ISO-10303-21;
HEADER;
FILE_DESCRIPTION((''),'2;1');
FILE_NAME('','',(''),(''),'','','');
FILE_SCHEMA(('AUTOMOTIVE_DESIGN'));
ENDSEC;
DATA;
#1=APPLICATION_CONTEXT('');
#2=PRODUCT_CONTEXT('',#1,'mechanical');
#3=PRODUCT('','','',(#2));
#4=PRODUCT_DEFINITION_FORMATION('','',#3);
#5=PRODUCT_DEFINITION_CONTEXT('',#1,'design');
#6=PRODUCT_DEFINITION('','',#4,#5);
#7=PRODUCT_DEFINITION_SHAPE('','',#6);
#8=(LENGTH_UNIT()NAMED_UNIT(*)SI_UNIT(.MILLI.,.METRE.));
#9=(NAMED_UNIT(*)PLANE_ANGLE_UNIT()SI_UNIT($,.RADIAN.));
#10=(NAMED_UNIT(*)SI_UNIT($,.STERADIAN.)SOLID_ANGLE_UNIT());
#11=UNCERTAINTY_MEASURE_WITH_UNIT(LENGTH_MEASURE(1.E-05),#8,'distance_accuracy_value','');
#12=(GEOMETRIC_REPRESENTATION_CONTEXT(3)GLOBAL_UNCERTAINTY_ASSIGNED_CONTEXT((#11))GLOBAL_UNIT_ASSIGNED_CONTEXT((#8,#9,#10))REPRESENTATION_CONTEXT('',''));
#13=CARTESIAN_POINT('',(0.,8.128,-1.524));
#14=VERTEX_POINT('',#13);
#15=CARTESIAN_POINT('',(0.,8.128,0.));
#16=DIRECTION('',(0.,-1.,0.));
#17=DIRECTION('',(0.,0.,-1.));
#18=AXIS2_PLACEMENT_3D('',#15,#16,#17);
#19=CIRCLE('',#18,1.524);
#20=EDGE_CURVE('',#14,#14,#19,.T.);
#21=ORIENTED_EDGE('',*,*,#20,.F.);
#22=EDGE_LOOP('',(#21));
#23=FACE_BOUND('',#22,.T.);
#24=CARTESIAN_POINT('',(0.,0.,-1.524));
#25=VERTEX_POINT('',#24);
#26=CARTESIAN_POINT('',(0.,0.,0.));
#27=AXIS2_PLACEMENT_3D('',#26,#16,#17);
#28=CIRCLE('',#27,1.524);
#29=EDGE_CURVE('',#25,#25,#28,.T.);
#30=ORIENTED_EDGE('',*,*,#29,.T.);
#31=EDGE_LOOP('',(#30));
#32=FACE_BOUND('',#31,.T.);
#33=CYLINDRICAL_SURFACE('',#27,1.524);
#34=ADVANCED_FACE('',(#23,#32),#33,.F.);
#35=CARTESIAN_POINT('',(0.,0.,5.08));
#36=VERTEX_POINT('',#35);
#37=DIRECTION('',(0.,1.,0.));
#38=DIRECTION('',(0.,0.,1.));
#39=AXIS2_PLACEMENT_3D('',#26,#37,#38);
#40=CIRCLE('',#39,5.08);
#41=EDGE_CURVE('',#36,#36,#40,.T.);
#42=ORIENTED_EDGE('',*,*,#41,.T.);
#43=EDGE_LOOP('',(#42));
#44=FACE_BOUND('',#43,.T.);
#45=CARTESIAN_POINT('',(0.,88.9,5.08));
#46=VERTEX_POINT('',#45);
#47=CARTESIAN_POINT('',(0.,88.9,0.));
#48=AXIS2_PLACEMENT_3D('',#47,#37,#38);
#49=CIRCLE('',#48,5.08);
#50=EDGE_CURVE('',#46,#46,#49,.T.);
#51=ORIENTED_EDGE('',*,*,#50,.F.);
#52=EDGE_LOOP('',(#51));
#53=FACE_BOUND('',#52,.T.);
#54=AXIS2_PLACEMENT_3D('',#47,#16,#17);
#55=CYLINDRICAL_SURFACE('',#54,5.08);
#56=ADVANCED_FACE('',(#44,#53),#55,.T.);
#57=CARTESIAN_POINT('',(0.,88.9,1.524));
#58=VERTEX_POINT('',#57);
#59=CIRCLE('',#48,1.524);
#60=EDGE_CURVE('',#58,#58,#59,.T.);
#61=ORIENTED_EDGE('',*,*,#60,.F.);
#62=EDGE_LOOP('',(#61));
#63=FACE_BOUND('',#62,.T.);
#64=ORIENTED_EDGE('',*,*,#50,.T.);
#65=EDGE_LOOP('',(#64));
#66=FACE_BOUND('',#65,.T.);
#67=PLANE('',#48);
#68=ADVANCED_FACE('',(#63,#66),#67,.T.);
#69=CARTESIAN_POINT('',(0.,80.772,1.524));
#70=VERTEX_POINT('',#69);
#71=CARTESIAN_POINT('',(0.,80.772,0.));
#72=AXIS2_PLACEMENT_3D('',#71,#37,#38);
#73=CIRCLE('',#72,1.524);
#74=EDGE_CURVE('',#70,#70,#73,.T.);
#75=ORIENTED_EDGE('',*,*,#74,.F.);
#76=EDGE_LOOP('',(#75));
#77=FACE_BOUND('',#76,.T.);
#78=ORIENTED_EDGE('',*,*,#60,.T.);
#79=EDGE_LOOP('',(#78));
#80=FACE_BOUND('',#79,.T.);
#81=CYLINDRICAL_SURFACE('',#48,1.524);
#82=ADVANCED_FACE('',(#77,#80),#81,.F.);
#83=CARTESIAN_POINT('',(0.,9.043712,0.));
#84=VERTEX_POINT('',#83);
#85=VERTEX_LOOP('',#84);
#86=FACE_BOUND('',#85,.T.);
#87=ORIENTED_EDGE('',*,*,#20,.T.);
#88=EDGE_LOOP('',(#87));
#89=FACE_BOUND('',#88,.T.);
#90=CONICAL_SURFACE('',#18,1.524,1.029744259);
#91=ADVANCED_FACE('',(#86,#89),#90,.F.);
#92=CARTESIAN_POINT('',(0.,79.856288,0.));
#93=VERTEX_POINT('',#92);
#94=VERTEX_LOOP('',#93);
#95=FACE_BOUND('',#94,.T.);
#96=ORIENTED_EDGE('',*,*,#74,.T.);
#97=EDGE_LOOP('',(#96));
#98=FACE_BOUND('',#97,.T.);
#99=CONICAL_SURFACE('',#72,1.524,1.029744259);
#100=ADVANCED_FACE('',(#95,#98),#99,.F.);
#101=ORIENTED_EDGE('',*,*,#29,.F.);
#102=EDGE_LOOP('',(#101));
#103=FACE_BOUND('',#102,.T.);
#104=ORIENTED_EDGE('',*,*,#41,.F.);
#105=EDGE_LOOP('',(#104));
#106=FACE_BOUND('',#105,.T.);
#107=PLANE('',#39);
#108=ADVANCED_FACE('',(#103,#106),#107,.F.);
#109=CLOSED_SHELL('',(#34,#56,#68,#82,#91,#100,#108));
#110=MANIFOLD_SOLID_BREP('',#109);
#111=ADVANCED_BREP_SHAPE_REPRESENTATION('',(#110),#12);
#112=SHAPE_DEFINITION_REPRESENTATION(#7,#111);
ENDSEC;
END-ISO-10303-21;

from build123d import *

# Parameters (mm, degrees)
SKETCH1_R                            = 5.08
BOSS_EXTRUDE1_DEPTH                  = 88.9
TAPPED_HOLE_FOR_4_40_HELICOIL1_D     = 3.048
TAPPED_HOLE_FOR_4_40_HELICOIL1_DEPTH = 8.128
TAPPED_HOLE_FOR_4_40_HELICOIL1_TIP   = 0.915711583
TAPPED_HOLE_FOR_4_40_HELICOIL2_D     = 3.048
TAPPED_HOLE_FOR_4_40_HELICOIL2_DEPTH = 8.128
TAPPED_HOLE_FOR_4_40_HELICOIL2_TIP   = 0.915711583


with BuildPart() as part:
    # Sketch1 → Boss-Extrude1 (new body)
    with BuildSketch(Plane(origin=(0, 0, 0), x_dir=(1, 0, 0), z_dir=(0, 1, 0))):
        with Locations(Location((0, 0, 0), (0, 0, 270))):
            Circle(SKETCH1_R)
    extrude(amount=BOSS_EXTRUDE1_DEPTH)

    # Tapped Hole for #4-40 Helicoil1
    with Locations(Plane(origin=(0, 88.9, 0), x_dir=(1, 0, 0), z_dir=(0, 1, 0))):
        with Locations((0, 0)):
            Hole(TAPPED_HOLE_FOR_4_40_HELICOIL1_D / 2, depth=TAPPED_HOLE_FOR_4_40_HELICOIL1_DEPTH)
            with Locations((0, 0, -(TAPPED_HOLE_FOR_4_40_HELICOIL1_DEPTH + TAPPED_HOLE_FOR_4_40_HELICOIL1_TIP / 2))):  # 118° drill point
                Cone(0, TAPPED_HOLE_FOR_4_40_HELICOIL1_D / 2, TAPPED_HOLE_FOR_4_40_HELICOIL1_TIP, mode=Mode.SUBTRACT)

    # Tapped Hole for #4-40 Helicoil2
    with Locations(Plane(origin=(0, 0, 0), x_dir=(-1, 0, 0), z_dir=(0, -1, 0))):
        with Locations((0, 0)):
            Hole(TAPPED_HOLE_FOR_4_40_HELICOIL2_D / 2, depth=TAPPED_HOLE_FOR_4_40_HELICOIL2_DEPTH)
            with Locations((0, 0, -(TAPPED_HOLE_FOR_4_40_HELICOIL2_DEPTH + TAPPED_HOLE_FOR_4_40_HELICOIL2_TIP / 2))):  # 118° drill point
                Cone(0, TAPPED_HOLE_FOR_4_40_HELICOIL2_D / 2, TAPPED_HOLE_FOR_4_40_HELICOIL2_TIP, mode=Mode.SUBTRACT)


solid = part.part
